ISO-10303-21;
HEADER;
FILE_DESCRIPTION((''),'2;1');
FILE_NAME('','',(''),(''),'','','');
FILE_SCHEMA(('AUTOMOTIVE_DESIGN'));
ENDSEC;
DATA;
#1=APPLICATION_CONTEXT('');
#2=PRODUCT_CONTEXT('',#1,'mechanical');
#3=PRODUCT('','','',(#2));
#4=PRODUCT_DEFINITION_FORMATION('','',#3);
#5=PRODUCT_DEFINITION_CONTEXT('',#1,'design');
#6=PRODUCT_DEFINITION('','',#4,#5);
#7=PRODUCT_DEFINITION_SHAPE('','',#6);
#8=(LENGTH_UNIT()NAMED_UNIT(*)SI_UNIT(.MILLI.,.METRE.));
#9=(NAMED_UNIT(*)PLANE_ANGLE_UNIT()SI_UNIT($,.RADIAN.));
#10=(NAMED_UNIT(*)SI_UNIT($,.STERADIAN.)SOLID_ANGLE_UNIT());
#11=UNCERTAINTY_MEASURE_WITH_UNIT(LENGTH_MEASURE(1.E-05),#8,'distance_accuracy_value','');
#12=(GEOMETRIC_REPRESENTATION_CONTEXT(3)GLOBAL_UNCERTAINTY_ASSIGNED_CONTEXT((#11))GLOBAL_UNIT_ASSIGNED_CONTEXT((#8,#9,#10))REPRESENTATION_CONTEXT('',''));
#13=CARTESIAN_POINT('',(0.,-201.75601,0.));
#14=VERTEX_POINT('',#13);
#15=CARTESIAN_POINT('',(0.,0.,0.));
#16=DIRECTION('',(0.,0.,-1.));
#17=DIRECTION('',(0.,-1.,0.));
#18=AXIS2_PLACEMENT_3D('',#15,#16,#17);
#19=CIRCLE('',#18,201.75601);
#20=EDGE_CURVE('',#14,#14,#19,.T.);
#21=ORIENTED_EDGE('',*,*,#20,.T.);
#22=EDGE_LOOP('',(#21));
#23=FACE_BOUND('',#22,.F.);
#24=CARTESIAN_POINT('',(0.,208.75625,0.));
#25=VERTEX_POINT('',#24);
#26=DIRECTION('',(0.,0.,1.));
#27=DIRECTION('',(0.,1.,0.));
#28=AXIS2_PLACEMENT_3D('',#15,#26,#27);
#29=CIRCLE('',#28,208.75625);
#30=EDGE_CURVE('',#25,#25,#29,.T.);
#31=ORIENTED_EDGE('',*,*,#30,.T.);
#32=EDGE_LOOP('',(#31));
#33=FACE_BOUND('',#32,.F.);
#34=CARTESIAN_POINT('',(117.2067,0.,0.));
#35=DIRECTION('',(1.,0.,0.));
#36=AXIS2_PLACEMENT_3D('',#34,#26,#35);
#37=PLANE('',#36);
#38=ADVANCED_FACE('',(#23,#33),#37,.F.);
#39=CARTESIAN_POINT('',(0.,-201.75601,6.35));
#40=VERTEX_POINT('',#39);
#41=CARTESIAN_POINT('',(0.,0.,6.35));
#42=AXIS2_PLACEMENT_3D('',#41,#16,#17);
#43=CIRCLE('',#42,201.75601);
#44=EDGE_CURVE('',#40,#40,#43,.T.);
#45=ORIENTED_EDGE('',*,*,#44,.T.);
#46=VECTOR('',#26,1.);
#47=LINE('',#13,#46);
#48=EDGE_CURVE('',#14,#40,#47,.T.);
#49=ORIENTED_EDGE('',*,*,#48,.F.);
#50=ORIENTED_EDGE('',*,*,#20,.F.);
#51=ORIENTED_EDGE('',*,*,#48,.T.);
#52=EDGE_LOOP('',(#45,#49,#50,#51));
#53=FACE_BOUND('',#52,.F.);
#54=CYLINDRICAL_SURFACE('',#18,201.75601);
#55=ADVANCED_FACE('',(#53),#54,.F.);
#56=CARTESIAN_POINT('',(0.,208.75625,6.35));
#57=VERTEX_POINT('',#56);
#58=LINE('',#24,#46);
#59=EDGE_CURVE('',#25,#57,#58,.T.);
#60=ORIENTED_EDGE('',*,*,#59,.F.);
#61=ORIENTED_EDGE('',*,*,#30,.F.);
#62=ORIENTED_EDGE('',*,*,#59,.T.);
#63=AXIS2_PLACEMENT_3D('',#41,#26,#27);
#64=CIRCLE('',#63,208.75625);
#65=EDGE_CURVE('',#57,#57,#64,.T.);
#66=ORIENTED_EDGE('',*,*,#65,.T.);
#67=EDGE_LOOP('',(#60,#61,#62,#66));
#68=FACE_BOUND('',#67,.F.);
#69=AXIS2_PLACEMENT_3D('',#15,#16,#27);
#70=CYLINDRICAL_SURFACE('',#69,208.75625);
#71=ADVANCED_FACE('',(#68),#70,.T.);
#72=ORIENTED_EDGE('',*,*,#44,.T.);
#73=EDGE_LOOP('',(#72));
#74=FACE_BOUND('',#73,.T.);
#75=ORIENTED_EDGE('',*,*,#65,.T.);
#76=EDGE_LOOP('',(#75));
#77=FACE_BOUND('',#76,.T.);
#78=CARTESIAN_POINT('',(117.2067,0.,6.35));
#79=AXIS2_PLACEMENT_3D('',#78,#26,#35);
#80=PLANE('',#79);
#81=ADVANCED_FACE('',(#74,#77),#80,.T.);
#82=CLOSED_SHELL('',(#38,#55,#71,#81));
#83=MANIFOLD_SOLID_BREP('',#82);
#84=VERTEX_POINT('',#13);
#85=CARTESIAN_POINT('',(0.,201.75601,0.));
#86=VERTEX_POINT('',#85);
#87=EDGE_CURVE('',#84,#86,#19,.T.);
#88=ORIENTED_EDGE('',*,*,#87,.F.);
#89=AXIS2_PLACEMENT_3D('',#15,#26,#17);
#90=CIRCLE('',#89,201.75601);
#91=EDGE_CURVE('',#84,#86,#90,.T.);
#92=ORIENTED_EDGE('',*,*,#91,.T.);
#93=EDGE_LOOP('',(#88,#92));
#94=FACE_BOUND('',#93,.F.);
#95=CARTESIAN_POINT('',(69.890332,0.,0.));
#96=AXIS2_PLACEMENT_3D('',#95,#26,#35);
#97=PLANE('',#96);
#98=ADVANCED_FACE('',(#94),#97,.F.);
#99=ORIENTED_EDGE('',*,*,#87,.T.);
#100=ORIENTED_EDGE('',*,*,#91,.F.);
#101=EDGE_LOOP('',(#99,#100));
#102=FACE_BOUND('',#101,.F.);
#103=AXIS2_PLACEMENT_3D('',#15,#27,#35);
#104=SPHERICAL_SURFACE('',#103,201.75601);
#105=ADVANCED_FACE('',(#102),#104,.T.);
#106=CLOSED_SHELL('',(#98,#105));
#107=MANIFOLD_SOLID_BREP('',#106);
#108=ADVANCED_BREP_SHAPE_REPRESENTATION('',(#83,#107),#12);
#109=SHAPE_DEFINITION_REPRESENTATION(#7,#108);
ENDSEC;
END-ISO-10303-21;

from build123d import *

# Parameters (mm, degrees)
F1_ANGLE = 180
F2_DEPTH = 6.35


with BuildPart() as f1:
    # F0 (on Top) → F1 (revolve)
    with BuildSketch(Plane.XY):
        with BuildLine():
            Line((0, 201.75601), (0, -201.75601))
            ThreePointArc((0, -201.75601), (201.75601, 0), (0, 201.75601))
        make_face()
    revolve(axis=Axis((0, 0, 0), (0, -1, 0)), revolution_arc=F1_ANGLE)


with BuildPart() as f2:
    # F0 (on Top) → F2 (new body)
    with BuildSketch(Plane.XY):
        with BuildLine():
            Line((0, -201.75601), (0, -208.75625))
            ThreePointArc((0, -208.75625), (208.75625, 0), (0, 208.75625))
            Line((0, 208.75625), (0, 201.75601))
            ThreePointArc((0, 201.75601), (201.75601, 0), (0, -201.75601))
        make_face()
        with BuildLine():
            ThreePointArc((0, 208.75625), (-208.75625, 0), (0, -208.75625))
            Line((0, -208.75625), (0, -201.75601))
            ThreePointArc((0, -201.75601), (-201.75601, 0), (0, 201.75601))
            Line((0, 201.75601), (0, 208.75625))
        make_face()
    extrude(amount=F2_DEPTH)


solid = Compound([f1.part, f2.part])
